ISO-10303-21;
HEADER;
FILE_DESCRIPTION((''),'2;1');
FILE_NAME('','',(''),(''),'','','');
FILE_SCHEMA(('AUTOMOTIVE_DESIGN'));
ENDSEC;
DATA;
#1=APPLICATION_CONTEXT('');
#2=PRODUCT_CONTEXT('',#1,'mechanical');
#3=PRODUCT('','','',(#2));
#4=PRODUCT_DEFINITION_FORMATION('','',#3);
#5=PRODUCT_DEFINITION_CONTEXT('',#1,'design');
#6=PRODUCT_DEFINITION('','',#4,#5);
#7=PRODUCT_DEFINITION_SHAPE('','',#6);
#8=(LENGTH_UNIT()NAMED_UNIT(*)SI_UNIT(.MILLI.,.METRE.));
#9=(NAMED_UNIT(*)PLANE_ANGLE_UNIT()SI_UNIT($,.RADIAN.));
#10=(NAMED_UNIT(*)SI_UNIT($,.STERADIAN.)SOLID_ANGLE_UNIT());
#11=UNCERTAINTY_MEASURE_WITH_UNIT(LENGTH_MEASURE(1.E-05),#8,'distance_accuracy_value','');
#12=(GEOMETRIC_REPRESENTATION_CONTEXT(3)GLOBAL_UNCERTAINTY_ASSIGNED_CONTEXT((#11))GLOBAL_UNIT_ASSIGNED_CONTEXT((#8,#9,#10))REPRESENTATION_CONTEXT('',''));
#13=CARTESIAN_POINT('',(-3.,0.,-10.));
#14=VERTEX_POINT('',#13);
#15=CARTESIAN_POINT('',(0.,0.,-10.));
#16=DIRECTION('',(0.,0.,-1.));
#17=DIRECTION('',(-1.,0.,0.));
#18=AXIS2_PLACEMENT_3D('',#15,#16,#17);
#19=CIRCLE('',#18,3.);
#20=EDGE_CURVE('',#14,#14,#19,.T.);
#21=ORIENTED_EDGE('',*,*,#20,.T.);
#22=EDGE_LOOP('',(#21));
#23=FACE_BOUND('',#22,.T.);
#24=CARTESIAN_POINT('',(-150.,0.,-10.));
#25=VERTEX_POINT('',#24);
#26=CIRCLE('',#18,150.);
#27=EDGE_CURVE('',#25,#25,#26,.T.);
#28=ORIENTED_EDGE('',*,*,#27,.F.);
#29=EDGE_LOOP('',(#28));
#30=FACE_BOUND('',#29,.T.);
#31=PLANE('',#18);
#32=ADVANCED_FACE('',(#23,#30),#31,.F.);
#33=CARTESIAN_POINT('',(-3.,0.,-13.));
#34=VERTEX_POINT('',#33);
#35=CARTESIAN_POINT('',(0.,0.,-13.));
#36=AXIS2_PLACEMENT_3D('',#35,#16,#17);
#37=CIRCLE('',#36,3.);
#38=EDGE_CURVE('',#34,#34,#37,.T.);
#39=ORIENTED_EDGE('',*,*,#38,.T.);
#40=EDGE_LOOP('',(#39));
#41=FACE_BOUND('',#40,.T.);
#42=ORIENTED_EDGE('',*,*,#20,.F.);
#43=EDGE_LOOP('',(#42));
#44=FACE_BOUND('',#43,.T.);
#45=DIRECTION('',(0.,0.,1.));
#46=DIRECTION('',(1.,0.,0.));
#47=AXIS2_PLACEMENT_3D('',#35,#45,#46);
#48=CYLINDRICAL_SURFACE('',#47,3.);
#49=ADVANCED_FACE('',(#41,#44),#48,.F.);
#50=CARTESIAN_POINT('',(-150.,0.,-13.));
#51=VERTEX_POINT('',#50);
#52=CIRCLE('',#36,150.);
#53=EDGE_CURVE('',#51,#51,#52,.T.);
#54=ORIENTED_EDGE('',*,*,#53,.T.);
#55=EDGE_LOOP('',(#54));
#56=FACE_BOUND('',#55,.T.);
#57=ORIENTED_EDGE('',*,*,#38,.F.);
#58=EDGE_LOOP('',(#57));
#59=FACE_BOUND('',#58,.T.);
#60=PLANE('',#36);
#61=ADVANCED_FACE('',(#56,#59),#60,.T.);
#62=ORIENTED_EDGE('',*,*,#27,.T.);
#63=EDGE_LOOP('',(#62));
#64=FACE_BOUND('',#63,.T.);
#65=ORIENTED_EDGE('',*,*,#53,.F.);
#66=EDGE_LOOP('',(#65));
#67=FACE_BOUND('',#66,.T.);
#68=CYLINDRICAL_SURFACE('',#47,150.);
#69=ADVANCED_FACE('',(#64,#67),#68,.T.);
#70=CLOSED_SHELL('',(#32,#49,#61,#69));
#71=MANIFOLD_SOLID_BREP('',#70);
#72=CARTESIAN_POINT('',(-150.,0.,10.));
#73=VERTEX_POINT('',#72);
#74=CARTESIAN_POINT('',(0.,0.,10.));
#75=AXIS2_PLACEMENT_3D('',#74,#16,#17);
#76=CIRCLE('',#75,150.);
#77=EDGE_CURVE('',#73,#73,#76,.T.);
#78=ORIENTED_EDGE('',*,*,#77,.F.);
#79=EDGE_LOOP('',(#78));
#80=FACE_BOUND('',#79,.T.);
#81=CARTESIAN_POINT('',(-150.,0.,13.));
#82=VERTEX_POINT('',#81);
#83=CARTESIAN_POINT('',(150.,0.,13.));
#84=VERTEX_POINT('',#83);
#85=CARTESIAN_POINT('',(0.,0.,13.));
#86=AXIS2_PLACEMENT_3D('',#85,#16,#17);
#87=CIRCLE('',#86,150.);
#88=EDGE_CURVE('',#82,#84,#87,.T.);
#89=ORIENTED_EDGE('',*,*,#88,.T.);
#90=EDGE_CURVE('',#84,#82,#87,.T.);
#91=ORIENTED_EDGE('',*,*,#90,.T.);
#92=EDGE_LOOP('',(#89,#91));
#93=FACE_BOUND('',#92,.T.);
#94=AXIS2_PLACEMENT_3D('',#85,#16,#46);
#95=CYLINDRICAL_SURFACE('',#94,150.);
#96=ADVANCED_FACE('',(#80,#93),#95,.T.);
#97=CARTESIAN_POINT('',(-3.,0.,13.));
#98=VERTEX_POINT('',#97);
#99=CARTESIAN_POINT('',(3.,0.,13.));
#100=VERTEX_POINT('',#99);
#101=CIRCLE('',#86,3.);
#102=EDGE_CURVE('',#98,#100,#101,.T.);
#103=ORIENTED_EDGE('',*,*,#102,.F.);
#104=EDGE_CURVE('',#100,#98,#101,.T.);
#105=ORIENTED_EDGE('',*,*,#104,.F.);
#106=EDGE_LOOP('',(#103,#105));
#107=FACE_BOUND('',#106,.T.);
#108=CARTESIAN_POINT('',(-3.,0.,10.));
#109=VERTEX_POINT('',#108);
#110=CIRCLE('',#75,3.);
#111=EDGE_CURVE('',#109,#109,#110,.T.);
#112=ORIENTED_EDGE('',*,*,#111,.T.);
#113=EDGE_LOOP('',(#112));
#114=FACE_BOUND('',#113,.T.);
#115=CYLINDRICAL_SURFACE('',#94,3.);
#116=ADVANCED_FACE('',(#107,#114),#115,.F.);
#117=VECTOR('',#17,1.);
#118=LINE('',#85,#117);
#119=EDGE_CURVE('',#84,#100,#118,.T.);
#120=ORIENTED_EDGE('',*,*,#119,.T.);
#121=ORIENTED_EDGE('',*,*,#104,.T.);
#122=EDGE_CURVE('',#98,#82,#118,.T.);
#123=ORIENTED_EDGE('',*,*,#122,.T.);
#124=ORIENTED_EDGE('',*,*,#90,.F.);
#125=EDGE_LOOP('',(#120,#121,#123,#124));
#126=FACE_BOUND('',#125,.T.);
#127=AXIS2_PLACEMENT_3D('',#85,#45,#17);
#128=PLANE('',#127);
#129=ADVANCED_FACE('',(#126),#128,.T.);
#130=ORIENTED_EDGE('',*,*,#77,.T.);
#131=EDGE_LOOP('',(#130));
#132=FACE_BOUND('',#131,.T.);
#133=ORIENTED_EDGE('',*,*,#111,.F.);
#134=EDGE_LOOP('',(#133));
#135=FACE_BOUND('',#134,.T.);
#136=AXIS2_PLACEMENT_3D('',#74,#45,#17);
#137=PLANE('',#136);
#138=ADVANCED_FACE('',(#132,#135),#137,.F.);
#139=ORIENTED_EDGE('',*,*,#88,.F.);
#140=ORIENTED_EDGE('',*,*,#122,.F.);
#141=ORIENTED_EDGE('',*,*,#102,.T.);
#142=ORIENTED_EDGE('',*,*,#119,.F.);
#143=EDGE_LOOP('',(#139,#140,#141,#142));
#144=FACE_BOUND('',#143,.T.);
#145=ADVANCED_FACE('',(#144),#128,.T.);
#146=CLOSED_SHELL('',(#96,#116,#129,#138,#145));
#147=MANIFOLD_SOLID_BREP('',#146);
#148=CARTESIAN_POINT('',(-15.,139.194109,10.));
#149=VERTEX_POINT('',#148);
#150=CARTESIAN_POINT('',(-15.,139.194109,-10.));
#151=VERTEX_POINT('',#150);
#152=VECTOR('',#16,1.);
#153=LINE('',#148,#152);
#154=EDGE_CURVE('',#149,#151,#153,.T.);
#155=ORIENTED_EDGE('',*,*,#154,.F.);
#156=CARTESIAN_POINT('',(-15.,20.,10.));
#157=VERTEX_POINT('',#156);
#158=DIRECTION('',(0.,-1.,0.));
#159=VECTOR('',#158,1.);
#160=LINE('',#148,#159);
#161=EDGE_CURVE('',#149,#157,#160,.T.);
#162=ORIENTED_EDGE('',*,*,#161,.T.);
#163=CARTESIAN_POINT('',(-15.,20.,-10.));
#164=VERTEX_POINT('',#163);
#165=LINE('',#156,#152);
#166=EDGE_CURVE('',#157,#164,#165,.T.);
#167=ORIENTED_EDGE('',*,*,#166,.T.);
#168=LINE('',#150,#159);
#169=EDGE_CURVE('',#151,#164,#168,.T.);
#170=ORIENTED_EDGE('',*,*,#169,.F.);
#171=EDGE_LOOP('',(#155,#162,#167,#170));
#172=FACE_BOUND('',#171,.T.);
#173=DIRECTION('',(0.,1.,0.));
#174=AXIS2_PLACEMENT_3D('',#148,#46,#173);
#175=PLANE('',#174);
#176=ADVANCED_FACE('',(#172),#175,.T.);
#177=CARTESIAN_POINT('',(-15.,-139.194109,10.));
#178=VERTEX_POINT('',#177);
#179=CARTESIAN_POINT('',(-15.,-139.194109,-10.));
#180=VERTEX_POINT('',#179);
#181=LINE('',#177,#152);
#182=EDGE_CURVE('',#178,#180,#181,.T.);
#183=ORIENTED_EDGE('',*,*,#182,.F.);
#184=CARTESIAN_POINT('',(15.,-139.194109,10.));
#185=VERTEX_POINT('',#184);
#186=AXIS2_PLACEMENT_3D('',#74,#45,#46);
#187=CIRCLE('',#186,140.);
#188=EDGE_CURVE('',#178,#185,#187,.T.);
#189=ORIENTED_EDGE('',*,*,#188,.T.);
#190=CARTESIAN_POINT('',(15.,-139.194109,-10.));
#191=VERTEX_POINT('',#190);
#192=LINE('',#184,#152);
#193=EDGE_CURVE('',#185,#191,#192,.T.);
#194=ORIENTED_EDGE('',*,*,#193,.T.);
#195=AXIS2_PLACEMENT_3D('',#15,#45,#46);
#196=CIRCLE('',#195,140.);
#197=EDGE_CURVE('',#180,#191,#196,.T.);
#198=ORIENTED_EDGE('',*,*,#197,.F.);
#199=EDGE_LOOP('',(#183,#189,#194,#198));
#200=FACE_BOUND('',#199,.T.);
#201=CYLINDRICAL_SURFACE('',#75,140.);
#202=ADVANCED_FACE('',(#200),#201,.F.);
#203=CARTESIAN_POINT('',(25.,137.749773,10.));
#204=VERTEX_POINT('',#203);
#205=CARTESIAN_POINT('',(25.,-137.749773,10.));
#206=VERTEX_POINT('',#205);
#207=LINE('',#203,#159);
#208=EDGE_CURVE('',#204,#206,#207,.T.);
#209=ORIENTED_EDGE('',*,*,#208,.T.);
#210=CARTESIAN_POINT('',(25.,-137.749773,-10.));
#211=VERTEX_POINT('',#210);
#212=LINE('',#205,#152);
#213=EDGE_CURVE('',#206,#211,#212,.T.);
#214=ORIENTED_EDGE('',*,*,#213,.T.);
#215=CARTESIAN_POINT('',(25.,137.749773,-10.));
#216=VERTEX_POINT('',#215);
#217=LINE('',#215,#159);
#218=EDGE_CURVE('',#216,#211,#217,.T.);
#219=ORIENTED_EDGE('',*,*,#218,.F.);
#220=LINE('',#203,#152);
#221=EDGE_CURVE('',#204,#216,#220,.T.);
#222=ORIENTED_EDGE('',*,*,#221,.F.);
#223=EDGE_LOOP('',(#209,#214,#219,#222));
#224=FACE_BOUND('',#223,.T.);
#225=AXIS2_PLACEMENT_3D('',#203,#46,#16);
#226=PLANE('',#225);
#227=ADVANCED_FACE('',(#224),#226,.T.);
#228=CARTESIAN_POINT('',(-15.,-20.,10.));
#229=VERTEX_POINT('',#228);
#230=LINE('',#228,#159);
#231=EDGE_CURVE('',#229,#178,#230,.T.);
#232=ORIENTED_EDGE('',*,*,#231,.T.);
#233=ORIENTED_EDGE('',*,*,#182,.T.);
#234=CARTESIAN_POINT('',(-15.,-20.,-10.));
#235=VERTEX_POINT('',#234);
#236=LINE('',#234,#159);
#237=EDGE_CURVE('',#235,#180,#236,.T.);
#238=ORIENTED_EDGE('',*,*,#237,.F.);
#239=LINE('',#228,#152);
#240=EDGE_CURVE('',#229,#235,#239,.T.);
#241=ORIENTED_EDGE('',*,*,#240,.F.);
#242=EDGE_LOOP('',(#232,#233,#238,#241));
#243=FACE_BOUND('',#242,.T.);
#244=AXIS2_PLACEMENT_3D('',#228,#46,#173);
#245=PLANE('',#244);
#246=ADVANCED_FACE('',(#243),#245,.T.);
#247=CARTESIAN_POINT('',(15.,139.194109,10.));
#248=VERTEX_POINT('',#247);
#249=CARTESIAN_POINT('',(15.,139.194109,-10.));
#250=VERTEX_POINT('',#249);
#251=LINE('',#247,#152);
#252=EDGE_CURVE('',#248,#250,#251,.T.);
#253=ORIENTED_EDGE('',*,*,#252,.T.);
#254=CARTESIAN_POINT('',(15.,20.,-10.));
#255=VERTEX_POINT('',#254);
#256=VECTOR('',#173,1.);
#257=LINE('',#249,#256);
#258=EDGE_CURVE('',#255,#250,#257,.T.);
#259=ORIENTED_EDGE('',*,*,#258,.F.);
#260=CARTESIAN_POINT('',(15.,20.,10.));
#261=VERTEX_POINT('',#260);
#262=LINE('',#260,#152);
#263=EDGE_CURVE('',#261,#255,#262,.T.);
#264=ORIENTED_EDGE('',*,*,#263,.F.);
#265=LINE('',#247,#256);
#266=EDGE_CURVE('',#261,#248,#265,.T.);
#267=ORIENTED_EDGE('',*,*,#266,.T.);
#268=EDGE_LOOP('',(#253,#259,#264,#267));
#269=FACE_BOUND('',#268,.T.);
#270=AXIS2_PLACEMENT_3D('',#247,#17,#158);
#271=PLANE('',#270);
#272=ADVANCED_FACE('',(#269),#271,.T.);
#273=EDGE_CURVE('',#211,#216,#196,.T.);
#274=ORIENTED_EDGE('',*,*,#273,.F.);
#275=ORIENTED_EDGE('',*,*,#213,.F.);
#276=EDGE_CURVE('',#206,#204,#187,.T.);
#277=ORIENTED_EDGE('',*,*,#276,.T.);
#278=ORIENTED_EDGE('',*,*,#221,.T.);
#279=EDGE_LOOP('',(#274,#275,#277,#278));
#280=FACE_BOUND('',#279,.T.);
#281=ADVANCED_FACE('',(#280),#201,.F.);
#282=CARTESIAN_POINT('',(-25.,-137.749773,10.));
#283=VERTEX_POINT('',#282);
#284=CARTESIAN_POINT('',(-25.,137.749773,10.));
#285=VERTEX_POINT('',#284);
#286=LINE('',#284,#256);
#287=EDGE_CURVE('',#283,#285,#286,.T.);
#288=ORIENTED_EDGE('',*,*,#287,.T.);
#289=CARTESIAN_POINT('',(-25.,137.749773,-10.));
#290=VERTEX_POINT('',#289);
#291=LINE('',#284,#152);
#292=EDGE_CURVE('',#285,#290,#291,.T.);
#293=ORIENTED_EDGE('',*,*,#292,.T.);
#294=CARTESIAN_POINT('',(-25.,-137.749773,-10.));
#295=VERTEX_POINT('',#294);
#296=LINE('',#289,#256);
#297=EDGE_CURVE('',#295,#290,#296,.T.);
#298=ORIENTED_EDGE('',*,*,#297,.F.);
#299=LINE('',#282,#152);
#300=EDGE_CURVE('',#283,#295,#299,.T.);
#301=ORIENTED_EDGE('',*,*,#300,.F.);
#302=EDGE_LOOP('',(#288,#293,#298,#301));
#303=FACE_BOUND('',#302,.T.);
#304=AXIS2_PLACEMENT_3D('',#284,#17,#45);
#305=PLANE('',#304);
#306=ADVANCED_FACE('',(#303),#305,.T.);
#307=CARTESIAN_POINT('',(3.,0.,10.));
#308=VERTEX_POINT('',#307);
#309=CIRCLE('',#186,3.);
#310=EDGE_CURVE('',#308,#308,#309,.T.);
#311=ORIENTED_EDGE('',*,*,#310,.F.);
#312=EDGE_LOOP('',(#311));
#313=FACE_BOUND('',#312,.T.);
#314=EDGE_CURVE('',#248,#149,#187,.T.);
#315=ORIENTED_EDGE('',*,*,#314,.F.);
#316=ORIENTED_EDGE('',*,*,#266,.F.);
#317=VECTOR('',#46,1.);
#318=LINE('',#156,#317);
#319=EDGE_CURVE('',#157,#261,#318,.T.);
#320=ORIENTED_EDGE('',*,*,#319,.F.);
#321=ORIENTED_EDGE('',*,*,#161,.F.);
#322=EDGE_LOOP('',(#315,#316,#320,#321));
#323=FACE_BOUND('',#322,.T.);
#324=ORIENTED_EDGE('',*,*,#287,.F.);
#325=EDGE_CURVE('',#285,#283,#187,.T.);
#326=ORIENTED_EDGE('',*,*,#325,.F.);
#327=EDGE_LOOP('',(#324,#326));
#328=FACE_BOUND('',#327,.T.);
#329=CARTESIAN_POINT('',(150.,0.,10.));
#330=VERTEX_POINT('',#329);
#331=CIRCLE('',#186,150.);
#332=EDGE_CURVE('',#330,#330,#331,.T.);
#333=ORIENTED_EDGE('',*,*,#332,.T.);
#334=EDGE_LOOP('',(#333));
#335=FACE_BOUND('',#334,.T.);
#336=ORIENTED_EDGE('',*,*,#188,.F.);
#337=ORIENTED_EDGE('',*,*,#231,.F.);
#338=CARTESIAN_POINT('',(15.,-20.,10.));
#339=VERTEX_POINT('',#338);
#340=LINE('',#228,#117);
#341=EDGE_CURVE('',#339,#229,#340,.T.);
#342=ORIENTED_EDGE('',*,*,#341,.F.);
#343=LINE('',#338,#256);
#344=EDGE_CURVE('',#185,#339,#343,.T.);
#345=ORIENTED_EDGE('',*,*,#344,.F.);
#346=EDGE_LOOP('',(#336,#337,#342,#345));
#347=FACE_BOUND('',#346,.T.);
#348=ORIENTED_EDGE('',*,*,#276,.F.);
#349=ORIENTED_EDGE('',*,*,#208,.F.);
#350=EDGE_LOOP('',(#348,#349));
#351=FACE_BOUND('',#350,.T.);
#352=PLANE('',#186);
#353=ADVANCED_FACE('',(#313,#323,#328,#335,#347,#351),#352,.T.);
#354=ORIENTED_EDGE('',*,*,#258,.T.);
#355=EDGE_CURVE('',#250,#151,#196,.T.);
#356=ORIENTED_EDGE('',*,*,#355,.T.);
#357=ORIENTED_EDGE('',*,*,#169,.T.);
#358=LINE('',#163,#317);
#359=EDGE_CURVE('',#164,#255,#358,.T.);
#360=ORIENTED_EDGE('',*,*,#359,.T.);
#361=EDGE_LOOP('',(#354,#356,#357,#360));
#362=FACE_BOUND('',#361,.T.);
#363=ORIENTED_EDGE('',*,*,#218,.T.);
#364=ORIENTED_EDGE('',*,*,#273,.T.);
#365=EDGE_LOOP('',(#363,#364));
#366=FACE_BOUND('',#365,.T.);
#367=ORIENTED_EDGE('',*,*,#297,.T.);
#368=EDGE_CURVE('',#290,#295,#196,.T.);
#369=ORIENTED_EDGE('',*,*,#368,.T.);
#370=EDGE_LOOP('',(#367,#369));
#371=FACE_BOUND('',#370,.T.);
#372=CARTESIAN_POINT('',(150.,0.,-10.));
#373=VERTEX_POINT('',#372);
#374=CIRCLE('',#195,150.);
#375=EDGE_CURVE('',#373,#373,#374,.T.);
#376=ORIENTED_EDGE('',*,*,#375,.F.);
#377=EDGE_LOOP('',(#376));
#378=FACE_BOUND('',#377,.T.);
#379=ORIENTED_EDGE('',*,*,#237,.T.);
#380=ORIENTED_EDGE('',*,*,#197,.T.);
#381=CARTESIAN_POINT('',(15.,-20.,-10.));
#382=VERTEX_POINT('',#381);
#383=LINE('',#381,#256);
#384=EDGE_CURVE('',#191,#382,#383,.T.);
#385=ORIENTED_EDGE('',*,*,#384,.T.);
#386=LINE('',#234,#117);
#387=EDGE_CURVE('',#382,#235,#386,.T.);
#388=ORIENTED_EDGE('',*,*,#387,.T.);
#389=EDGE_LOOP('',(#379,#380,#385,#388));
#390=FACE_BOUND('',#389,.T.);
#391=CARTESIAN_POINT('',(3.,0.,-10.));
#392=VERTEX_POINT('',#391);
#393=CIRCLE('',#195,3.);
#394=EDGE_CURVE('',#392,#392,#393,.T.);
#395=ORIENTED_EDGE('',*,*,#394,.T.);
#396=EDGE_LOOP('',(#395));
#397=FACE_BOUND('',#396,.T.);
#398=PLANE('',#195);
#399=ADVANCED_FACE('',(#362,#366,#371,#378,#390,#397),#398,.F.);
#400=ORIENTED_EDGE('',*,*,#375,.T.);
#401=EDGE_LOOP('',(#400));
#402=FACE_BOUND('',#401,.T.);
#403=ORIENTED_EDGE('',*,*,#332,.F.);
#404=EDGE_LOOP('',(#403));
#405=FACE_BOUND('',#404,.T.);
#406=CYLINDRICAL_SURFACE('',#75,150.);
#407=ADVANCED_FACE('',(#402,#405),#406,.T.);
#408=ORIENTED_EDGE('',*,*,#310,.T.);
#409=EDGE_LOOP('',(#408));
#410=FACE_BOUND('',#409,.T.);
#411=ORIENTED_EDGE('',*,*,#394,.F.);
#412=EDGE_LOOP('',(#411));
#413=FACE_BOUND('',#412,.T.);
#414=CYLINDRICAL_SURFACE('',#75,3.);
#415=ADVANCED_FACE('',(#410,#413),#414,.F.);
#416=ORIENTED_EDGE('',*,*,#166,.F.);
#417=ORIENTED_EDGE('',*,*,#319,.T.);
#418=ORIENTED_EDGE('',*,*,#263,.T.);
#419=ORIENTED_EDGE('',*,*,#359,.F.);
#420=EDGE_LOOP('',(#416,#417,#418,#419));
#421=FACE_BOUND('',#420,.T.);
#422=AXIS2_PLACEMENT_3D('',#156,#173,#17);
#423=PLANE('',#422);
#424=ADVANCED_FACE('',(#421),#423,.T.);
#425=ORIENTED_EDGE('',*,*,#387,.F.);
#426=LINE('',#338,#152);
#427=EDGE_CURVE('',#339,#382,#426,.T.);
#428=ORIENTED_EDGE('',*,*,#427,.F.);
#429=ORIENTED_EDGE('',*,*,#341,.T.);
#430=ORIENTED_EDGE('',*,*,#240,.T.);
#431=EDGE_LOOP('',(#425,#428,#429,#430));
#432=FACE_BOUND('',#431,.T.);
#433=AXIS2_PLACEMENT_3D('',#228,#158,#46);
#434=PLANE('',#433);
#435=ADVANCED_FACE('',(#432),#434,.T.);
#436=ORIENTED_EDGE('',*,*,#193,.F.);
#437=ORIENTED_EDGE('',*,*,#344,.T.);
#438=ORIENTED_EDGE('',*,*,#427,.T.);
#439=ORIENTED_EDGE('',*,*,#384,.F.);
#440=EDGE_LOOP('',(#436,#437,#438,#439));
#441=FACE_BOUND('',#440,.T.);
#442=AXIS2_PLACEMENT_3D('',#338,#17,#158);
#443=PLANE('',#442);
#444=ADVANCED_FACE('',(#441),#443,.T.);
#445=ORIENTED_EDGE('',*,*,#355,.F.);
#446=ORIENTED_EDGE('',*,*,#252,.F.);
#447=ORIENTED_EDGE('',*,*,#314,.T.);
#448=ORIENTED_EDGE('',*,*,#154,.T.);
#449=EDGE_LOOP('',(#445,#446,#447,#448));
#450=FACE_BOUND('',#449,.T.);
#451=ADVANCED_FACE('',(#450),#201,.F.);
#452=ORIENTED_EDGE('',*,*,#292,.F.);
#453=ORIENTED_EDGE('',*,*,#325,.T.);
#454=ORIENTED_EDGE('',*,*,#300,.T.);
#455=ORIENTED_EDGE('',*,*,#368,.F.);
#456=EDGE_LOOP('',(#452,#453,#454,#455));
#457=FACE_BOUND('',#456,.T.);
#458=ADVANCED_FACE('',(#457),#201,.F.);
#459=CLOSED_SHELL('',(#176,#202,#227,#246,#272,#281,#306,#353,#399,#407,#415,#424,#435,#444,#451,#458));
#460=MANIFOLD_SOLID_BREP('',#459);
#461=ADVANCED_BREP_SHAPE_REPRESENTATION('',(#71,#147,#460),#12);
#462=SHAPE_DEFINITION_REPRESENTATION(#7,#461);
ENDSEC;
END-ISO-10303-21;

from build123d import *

# Parameters (mm, degrees)
ESQUISSE1_R        = 150
ESQUISSE1_R_2      = 3
BOSS_EXTRU_1_DEPTH = 10
ESQUISSE2_R        = 150
ESQUISSE2_R_2      = 3
BOSS_EXTRU_2_DEPTH = 3


with BuildPart() as part:
    # Esquisse1 → Boss.-Extru.1 (new, symmetric)
    with BuildSketch(Plane.XY):
        Circle(ESQUISSE1_R)
        Circle(ESQUISSE1_R_2, mode=Mode.SUBTRACT)
        with BuildLine():
            Line((-25, 137.74977314), (-25, -137.74977314))
            ThreePointArc((-25, -137.74977314), (-140, 0), (-25, 137.74977314))
        make_face(mode=Mode.SUBTRACT)
        with BuildLine():
            Line((-15, 139.194109071), (-15, 20))
            Line((-15, 20), (15, 20))
            Line((15, 20), (15, 139.194109071))
            ThreePointArc((15, 139.194109071), (0, 140), (-15, 139.194109071))
        make_face(mode=Mode.SUBTRACT)
        with BuildLine():
            Line((-15, -20), (15, -20))
            Line((15, -20), (15, -139.194109071))
            ThreePointArc((15, -139.194109071), (0, -140), (-15, -139.194109071))
            Line((-15, -139.194109071), (-15, -20))
        make_face(mode=Mode.SUBTRACT)
        with BuildLine():
            Line((25, 137.74977314), (25, -137.74977314))
            ThreePointArc((25, -137.74977314), (140, 0), (25, 137.74977314))
        make_face(mode=Mode.SUBTRACT)
    extrude(amount=BOSS_EXTRU_1_DEPTH, both=True)


with BuildPart() as body_2:
    # Esquisse2 → Boss.-Extru.2 (new body)
    with BuildSketch(Plane(origin=(0, 0, -10), x_dir=(-1, 0, 0), z_dir=(0, 0, -1))):
        Circle(ESQUISSE2_R)
        Circle(ESQUISSE2_R_2, mode=Mode.SUBTRACT)
    extrude(amount=BOSS_EXTRU_2_DEPTH)


with BuildPart() as body_3:
    # Symétrie1: mirrored copy
    add(body_2.part.mirror(Plane.XY))


solid = Compound([part.part, body_2.part, body_3.part])
